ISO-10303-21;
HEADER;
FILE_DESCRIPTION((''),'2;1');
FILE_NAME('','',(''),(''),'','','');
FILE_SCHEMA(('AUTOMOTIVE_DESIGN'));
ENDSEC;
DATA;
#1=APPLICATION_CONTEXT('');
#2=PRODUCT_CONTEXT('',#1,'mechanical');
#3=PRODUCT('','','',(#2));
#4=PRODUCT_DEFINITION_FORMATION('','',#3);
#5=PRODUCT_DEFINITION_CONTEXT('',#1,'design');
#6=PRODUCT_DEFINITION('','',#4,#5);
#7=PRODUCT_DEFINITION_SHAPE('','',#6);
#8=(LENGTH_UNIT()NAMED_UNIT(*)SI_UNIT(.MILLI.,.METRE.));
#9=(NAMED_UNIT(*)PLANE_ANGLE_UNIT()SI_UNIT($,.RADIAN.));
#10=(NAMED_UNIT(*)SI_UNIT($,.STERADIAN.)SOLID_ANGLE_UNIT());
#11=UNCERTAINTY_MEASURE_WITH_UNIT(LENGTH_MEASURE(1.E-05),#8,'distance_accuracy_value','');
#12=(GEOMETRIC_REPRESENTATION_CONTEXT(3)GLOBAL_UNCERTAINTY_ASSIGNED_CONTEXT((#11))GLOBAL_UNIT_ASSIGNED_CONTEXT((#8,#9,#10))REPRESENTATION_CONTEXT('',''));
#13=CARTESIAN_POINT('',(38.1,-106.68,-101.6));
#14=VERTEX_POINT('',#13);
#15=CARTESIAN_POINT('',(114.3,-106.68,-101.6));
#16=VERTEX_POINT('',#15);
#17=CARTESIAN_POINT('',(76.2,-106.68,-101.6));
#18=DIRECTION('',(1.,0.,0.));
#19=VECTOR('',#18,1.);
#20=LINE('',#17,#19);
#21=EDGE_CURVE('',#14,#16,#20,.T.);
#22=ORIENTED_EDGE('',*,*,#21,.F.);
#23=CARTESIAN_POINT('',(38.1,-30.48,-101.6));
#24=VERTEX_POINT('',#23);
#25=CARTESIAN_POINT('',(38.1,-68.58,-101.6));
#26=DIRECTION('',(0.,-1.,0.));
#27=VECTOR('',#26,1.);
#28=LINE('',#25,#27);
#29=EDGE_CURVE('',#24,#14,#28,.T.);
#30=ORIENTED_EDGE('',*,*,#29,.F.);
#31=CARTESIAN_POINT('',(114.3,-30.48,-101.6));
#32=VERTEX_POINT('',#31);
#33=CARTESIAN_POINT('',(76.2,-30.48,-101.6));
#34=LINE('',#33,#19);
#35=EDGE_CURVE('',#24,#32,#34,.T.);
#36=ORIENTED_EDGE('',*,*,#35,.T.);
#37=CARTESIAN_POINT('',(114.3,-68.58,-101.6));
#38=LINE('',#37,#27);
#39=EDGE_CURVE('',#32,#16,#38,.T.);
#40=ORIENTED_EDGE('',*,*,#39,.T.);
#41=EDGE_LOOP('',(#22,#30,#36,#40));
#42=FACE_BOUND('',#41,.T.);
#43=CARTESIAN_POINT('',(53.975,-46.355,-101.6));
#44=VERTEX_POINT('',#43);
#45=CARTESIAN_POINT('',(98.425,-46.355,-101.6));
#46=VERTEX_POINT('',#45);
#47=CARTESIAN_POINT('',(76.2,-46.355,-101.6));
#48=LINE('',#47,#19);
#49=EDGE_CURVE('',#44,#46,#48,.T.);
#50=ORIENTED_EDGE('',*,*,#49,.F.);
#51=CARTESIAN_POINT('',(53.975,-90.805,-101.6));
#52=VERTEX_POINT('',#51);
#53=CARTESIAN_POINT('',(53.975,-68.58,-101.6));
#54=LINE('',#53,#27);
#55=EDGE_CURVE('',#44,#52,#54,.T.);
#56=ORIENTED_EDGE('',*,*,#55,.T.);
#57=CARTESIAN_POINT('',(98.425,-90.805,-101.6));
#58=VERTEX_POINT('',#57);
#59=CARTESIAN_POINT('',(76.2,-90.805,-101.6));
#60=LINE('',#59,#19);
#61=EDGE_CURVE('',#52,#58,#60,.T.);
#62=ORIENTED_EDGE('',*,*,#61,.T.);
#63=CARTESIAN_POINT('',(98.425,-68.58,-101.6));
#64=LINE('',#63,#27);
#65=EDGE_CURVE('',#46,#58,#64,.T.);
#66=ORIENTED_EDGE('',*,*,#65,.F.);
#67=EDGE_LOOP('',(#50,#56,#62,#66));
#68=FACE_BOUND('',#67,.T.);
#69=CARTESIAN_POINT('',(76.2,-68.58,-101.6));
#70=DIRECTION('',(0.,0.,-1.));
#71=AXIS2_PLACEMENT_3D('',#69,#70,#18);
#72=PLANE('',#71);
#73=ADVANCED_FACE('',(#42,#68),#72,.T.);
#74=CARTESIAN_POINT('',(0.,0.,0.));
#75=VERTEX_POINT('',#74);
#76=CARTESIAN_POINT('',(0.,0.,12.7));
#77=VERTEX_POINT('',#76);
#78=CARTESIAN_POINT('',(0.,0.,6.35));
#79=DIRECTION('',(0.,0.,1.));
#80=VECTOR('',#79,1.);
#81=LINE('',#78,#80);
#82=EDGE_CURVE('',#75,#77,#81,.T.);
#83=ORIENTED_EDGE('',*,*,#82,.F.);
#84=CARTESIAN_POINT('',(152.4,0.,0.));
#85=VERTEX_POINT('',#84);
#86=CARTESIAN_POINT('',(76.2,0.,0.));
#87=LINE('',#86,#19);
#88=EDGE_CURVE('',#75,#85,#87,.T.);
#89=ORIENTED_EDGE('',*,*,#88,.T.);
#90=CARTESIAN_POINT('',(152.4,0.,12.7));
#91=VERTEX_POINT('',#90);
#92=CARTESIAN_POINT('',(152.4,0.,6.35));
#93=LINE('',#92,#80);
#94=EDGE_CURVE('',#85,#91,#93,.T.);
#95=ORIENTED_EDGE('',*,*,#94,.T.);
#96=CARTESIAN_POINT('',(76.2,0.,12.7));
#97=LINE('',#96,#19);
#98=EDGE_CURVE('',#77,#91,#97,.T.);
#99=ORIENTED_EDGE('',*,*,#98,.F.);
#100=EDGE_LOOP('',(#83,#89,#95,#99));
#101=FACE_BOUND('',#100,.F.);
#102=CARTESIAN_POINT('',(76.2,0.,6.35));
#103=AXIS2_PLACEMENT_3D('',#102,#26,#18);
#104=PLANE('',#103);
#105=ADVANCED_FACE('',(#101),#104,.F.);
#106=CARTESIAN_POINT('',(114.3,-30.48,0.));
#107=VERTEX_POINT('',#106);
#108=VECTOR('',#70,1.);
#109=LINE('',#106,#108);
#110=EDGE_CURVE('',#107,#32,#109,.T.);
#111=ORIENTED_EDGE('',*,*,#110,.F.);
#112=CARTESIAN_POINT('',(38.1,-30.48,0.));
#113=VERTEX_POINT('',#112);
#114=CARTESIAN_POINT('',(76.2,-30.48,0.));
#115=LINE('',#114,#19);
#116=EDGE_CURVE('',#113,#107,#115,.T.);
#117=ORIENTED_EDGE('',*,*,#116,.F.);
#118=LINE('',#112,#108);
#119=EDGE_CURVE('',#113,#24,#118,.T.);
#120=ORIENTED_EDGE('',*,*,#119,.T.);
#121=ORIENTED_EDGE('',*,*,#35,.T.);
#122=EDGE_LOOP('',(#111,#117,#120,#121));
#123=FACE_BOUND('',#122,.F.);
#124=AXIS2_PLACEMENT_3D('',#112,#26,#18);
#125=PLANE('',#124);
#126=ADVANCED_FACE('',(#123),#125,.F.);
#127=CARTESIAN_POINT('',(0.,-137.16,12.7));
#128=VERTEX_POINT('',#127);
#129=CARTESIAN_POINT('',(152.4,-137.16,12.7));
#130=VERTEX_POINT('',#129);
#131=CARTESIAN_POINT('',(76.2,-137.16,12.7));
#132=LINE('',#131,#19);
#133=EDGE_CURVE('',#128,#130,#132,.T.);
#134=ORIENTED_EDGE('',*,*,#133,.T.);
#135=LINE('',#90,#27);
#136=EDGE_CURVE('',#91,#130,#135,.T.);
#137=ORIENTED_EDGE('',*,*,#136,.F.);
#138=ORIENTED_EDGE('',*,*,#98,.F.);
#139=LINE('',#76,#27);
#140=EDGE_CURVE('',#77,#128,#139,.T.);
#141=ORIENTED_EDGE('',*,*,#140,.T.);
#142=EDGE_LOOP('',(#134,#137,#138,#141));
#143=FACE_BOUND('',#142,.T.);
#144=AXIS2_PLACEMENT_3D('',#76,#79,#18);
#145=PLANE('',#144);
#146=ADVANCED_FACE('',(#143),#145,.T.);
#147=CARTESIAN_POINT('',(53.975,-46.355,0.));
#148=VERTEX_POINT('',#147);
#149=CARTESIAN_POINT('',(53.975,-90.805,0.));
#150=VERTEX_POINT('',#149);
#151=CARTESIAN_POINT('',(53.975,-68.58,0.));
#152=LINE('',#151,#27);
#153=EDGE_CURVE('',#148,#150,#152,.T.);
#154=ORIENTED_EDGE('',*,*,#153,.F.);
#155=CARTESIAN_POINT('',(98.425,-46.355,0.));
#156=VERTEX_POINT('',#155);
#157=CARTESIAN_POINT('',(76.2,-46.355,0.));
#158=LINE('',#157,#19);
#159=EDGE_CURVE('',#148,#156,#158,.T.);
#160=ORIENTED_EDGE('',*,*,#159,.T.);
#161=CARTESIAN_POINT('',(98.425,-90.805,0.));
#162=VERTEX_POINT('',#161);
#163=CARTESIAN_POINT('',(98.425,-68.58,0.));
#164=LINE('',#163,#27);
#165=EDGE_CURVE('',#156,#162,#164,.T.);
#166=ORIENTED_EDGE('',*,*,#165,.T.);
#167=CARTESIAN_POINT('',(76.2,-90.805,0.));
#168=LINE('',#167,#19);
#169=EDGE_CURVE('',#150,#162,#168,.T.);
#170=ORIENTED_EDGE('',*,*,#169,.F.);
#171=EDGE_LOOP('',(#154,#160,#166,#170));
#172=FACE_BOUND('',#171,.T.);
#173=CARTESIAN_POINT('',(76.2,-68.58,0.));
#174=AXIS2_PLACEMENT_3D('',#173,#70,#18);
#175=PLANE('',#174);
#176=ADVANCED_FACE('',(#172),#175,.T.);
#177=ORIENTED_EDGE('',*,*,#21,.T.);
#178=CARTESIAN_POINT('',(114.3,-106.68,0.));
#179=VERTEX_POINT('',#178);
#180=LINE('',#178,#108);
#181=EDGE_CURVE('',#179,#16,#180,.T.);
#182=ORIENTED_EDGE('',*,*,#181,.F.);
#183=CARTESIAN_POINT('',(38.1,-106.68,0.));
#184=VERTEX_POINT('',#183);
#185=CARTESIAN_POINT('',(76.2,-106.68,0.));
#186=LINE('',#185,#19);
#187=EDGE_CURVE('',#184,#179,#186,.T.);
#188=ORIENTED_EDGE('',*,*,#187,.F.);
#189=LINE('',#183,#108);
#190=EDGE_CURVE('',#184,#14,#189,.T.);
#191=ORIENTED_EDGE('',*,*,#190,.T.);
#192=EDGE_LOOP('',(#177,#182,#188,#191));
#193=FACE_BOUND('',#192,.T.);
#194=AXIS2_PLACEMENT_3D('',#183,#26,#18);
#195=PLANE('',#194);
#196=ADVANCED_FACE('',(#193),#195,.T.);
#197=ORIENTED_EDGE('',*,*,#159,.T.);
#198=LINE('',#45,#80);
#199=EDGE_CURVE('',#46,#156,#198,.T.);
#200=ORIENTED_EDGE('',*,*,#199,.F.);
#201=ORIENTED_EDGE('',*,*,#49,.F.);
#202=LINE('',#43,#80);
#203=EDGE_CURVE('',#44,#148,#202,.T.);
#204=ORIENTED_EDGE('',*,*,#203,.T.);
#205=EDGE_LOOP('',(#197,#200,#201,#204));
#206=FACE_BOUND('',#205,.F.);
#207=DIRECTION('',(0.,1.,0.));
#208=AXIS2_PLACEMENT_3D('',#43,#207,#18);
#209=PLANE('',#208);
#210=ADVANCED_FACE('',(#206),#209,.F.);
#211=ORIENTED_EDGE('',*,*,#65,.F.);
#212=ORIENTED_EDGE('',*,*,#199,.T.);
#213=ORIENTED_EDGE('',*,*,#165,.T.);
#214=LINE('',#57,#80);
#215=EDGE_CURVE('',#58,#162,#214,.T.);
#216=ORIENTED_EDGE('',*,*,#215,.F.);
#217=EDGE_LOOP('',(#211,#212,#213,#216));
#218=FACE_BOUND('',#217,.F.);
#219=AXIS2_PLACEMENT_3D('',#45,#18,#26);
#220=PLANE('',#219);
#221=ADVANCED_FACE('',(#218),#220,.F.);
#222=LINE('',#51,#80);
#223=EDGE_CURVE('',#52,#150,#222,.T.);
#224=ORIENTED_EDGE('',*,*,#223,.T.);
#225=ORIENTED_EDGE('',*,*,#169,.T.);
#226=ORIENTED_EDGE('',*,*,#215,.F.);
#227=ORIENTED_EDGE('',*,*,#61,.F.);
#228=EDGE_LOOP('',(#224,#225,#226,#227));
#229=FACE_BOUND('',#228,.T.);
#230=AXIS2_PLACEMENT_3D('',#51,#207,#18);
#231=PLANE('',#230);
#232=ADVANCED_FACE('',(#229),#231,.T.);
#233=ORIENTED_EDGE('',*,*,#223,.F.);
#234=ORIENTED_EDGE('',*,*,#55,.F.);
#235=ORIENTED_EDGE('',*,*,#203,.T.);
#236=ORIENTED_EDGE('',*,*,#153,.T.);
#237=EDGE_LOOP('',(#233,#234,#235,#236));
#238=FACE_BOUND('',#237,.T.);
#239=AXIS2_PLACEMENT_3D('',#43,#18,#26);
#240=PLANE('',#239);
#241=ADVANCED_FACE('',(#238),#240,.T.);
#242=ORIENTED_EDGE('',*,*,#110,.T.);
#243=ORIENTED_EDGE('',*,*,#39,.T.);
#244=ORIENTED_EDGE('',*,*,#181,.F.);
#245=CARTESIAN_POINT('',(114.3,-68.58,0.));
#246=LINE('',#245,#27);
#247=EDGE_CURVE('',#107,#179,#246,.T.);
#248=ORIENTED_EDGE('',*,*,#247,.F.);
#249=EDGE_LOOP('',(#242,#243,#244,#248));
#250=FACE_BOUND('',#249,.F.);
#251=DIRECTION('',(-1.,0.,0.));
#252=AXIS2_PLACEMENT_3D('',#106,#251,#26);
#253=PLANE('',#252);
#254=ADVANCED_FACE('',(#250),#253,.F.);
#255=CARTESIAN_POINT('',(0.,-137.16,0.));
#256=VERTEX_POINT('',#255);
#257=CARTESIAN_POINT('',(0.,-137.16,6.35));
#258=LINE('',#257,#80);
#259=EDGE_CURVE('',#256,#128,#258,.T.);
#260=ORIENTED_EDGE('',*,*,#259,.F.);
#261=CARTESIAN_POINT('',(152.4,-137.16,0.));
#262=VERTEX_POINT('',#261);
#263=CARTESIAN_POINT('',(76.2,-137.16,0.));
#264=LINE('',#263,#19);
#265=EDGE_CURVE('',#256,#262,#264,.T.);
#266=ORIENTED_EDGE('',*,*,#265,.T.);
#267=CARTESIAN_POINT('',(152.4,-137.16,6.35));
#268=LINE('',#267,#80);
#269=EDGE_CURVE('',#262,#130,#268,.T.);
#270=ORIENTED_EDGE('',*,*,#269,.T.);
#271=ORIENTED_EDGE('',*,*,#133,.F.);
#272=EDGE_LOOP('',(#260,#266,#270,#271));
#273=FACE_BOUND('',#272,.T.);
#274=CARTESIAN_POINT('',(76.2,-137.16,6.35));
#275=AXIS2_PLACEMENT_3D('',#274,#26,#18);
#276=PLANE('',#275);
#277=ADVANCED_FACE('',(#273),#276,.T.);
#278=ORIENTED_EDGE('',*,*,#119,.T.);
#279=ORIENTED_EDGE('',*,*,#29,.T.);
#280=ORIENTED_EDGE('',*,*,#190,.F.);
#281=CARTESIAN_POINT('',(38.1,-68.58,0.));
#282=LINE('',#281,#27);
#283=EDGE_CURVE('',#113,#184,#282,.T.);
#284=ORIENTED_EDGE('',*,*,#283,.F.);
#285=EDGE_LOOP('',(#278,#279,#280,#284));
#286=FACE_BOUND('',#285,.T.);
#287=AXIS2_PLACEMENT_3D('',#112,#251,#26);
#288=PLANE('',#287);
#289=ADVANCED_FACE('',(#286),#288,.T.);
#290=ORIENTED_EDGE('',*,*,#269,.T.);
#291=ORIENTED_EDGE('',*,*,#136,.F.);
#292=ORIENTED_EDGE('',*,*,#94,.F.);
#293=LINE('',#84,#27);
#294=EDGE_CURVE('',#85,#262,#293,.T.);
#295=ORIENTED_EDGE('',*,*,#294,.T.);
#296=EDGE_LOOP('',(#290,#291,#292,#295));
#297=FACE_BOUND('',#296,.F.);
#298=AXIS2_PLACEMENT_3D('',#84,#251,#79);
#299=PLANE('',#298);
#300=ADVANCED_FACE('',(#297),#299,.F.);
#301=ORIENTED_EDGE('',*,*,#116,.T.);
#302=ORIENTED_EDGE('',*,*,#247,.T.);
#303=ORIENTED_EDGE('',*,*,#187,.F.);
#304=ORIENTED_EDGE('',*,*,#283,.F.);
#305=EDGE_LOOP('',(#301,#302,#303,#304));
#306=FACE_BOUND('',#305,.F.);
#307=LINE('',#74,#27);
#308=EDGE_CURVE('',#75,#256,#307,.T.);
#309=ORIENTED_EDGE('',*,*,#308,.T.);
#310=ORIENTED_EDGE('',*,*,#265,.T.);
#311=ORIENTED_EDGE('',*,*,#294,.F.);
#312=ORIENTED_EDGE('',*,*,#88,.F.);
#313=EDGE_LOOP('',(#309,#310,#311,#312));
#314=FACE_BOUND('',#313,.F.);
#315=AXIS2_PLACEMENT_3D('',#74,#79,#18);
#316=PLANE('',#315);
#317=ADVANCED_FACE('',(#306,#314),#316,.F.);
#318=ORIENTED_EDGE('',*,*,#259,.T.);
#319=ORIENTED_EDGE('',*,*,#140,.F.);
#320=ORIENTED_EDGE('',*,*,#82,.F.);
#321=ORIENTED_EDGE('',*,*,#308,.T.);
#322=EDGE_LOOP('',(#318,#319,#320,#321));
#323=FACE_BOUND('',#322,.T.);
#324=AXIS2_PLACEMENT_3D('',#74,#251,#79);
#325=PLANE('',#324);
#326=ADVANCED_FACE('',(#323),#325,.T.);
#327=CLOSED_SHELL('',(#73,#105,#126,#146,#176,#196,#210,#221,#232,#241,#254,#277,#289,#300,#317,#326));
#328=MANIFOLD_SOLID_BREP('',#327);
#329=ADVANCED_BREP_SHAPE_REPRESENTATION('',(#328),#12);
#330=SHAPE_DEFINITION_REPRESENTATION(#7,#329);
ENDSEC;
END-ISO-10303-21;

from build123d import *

# Parameters (mm, degrees)
F0_W     = 152.4
F0_H     = 12.7
F1_DEPTH = 137.16
F2_W     = 76.2
F2_H     = 76.2
F3_DEPTH = 101.6
F4_W     = 44.45
F4_H     = 44.45
F5_DEPTH = 101.6


with BuildPart() as f1:
    # F0 (on Front) → F1 (new body)
    with BuildSketch(Plane.XZ):
        with Locations((76.2, 6.35)):
            Rectangle(F0_W, F0_H)
    extrude(amount=F1_DEPTH)

    # F2 (on face) → F3 (join)
    with BuildSketch(Plane(origin=(0, 0, 0), x_dir=(1, 0, 0), z_dir=(0, 0, -1))):
        with Locations((76.2, 68.58)):
            Rectangle(F2_W, F2_H)
    extrude(amount=F3_DEPTH)

    # F4 (on face) → F5 (cut)
    with BuildSketch(Plane(origin=(0, 0, -101.6), x_dir=(1, 0, 0), z_dir=(0, 0, -1))):
        with Locations((76.2, 68.58)):
            Rectangle(F4_W, F4_H)
    extrude(amount=-F5_DEPTH, mode=Mode.SUBTRACT)


solid = f1.part
